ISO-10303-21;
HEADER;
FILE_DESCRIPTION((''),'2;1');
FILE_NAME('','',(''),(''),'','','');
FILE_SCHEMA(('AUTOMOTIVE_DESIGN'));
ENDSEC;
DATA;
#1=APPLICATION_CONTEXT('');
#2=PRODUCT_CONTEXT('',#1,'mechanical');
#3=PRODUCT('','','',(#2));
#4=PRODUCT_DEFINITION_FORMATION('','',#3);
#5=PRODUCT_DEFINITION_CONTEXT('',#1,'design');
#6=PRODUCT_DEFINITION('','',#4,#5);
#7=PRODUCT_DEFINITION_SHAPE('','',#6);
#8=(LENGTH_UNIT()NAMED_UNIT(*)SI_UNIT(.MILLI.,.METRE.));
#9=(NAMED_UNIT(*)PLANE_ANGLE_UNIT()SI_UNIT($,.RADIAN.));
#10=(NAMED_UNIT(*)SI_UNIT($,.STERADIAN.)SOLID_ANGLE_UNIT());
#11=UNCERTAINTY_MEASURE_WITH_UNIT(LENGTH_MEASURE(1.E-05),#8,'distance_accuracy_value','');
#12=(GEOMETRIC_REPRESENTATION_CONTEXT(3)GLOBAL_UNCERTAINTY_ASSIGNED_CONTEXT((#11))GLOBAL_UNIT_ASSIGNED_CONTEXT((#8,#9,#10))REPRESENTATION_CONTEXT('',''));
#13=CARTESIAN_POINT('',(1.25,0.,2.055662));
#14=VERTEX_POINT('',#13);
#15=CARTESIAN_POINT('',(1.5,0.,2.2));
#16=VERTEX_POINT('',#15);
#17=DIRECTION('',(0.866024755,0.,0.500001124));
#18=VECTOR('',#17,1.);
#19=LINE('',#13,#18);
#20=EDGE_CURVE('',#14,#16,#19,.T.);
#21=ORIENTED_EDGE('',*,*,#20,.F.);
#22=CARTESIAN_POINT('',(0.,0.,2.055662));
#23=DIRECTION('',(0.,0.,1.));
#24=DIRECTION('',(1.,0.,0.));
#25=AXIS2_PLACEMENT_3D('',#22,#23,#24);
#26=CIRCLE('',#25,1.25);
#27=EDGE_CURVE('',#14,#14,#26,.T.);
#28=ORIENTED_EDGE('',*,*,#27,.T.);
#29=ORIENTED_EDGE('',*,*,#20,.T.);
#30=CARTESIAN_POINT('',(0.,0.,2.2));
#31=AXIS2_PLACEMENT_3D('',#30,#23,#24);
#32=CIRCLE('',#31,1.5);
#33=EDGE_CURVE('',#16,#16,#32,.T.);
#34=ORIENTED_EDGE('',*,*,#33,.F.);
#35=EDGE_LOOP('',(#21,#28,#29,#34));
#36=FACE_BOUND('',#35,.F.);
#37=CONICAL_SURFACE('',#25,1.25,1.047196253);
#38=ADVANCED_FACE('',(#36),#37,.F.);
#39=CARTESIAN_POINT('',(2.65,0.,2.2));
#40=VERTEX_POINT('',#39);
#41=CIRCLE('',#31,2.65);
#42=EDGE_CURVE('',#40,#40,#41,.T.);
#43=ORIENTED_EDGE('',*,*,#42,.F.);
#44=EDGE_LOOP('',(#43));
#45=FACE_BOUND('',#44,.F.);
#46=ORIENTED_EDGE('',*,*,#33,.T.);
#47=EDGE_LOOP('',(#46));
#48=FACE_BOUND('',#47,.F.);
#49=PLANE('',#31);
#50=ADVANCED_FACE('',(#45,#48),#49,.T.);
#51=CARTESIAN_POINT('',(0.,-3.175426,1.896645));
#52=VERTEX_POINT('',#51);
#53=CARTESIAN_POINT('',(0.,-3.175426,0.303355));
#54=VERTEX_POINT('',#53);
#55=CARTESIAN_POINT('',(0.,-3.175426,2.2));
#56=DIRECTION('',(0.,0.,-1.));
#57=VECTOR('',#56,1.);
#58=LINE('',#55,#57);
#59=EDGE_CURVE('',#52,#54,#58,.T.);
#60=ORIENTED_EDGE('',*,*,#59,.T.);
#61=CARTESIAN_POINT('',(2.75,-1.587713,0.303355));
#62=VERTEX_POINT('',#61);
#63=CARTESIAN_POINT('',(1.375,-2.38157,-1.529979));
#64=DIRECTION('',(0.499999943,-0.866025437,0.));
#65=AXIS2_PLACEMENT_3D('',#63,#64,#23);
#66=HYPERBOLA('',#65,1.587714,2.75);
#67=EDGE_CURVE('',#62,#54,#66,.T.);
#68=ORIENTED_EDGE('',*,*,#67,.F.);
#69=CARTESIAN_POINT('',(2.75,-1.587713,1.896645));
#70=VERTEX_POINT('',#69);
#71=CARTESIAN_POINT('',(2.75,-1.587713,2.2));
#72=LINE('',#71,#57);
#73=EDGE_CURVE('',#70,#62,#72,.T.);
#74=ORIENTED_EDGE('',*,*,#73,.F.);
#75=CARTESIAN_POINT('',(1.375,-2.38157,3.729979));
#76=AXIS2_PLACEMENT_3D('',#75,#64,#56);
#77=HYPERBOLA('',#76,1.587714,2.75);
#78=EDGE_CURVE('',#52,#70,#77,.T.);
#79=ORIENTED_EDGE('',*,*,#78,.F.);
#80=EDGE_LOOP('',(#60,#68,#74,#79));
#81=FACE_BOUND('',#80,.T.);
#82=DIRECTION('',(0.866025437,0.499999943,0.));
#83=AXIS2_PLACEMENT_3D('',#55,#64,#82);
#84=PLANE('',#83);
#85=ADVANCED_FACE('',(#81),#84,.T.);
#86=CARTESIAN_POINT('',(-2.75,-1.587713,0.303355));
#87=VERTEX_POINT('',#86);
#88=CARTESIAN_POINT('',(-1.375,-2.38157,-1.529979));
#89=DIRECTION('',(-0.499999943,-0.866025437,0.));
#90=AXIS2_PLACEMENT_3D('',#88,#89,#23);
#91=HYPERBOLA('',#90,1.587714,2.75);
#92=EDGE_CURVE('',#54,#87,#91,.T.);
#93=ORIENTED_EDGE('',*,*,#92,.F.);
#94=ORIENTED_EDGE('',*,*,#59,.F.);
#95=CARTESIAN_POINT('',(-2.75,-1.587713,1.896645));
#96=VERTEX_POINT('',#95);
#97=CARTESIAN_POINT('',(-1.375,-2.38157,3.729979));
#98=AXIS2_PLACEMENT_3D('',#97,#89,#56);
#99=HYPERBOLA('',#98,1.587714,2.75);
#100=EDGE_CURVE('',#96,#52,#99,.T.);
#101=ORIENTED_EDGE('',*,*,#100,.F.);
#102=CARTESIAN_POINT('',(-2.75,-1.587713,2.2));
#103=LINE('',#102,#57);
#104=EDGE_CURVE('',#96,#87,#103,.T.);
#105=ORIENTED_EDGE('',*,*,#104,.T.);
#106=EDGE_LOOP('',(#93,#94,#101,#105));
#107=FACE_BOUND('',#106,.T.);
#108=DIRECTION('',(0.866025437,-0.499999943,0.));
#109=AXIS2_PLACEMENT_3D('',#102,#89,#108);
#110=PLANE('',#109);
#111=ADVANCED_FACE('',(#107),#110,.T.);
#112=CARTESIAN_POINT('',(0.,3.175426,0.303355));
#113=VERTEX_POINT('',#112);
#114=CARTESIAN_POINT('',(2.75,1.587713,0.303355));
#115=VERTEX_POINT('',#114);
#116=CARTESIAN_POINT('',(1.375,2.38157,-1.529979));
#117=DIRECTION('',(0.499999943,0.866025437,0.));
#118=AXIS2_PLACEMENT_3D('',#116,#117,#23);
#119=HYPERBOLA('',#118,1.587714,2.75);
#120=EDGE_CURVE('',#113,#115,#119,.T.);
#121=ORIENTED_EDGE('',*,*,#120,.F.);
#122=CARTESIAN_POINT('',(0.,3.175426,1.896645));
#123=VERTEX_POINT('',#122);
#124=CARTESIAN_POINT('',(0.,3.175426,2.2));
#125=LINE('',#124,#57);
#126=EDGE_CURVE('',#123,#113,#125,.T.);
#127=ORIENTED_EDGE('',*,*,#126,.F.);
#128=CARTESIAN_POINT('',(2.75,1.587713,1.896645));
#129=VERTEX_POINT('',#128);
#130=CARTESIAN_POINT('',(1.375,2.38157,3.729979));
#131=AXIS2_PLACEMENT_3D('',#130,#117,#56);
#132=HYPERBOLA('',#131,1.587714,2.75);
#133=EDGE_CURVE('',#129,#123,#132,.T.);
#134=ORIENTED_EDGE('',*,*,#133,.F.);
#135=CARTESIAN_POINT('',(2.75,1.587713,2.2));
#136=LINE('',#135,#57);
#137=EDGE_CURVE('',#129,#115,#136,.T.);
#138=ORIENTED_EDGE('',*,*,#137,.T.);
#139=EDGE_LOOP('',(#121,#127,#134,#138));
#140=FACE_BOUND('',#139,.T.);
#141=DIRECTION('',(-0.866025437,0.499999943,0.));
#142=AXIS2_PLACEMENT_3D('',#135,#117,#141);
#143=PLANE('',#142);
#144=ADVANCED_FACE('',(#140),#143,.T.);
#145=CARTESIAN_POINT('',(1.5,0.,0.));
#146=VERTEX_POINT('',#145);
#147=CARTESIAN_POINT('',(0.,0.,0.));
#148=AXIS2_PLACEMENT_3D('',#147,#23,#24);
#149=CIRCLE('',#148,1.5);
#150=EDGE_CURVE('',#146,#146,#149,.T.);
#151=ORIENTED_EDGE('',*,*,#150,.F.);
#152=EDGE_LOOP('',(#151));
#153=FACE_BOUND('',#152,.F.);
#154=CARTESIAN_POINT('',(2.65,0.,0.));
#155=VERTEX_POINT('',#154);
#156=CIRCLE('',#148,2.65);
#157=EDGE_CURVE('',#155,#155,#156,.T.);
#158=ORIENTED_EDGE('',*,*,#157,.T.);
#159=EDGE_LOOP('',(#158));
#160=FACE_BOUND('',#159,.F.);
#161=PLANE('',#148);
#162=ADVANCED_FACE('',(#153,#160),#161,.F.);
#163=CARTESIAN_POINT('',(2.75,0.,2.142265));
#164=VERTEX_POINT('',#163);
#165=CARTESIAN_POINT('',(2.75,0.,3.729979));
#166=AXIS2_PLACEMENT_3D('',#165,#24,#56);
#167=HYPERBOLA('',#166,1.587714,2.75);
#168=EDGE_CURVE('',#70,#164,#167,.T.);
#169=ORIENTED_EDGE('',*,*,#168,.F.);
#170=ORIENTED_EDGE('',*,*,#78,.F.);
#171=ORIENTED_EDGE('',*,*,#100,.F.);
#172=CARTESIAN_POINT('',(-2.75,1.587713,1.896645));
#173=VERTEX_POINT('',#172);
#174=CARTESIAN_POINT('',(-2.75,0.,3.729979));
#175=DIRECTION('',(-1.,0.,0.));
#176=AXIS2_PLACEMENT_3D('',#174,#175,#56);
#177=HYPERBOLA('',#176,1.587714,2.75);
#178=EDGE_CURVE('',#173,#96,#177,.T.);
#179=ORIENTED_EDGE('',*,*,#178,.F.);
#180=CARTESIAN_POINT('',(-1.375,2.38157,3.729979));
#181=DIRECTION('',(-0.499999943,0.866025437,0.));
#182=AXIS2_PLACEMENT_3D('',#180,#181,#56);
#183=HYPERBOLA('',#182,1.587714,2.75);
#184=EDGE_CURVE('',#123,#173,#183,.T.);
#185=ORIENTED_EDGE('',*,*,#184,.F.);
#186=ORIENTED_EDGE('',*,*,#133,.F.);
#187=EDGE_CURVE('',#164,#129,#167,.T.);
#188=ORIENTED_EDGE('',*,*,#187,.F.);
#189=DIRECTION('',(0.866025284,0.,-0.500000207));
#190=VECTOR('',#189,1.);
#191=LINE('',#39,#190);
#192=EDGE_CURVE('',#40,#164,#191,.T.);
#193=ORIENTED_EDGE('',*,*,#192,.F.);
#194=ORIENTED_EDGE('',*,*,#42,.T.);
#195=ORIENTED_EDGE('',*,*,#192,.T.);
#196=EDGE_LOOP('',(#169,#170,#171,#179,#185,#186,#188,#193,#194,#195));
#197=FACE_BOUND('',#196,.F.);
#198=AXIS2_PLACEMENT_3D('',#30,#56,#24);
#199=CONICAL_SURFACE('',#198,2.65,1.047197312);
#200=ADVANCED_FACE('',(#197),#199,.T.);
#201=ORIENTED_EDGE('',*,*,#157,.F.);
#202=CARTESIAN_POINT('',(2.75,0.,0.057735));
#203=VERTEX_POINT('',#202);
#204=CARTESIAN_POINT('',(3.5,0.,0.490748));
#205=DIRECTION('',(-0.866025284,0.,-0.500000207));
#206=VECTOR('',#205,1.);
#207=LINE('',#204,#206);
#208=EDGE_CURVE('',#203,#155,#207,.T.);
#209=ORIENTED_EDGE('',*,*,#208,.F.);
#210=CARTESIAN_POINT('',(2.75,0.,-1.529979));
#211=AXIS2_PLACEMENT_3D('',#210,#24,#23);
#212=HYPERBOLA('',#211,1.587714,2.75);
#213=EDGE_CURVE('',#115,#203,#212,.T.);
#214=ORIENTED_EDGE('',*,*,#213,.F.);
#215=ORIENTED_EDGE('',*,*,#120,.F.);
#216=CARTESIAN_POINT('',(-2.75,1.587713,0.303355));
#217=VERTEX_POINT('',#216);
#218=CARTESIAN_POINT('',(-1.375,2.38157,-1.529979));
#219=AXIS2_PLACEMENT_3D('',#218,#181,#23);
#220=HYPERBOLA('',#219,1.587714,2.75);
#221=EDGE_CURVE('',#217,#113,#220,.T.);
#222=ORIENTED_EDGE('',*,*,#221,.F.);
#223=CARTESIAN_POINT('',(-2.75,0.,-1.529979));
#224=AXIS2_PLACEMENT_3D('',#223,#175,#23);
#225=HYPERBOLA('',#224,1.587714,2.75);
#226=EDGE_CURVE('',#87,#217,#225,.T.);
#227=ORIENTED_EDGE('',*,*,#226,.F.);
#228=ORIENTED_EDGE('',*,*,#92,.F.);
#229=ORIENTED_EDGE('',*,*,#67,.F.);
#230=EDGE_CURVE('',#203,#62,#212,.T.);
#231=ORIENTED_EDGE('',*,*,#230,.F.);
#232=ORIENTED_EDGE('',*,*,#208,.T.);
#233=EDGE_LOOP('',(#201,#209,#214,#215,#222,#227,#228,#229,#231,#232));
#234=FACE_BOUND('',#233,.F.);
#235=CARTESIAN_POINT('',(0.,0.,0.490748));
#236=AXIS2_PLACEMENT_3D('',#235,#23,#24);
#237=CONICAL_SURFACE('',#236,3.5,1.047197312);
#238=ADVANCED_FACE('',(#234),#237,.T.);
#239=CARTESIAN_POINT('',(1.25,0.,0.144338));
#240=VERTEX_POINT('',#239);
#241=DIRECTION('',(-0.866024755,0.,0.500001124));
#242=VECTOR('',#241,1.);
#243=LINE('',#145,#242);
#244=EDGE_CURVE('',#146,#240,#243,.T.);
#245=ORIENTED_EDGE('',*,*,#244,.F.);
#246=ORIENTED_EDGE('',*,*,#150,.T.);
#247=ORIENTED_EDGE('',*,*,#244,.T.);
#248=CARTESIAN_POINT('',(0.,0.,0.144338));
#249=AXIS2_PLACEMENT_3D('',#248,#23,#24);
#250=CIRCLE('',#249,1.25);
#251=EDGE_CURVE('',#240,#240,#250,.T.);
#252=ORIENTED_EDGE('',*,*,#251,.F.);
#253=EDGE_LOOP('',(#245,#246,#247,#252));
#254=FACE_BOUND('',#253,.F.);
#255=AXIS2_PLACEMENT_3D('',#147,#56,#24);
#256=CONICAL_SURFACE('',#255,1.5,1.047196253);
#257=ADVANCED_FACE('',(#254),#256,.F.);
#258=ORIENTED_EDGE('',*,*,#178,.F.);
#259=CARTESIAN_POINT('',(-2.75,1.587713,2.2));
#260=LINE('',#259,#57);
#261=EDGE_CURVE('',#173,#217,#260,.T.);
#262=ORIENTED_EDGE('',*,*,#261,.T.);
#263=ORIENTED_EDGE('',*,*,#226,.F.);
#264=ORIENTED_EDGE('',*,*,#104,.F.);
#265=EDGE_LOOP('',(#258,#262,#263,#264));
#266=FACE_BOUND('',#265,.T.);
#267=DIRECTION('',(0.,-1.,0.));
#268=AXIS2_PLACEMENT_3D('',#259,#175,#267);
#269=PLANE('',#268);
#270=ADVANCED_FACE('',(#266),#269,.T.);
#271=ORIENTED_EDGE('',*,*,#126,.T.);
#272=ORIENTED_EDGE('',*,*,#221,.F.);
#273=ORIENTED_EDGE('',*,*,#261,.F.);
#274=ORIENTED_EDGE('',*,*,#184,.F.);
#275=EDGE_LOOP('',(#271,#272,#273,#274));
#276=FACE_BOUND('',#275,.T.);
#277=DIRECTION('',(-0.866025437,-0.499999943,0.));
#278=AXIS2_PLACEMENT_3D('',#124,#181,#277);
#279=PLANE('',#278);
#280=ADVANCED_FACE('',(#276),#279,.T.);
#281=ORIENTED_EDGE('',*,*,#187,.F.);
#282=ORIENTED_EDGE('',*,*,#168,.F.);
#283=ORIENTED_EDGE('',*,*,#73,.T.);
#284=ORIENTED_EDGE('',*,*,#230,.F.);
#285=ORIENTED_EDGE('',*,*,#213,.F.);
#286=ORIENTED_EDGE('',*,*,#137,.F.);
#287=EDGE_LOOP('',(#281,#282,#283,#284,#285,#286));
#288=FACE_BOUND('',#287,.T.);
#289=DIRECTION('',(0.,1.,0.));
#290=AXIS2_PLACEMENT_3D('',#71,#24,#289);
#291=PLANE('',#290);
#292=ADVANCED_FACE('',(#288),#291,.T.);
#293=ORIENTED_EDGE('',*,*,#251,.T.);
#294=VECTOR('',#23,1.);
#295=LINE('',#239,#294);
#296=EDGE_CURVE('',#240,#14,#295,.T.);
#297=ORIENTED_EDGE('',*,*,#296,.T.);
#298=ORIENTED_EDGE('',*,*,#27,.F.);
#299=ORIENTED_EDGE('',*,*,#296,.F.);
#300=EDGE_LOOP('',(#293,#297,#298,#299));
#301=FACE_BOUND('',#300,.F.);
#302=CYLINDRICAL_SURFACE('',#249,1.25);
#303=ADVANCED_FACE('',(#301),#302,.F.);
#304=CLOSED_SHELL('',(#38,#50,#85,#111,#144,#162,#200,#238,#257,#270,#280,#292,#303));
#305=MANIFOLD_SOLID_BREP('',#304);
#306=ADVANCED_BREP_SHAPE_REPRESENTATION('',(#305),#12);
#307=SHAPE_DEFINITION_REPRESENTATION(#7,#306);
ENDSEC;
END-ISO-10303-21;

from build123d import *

# Parameters (mm, degrees)
SKETCH001_R  = 3.5
POCKET_DEPTH = 2.2


with BuildPart() as part:
    # Sketch → Revolution (revolve)
    with BuildSketch(Plane.XZ):
        Polygon((1.5, 0), (1.25, 0.144338), (1.25, 2.055662), (1.5, 2.2), (2.65, 2.2), (3.5, 1.709252), (3.5, 0.490748), (2.65, 0), align=None)
    revolve(axis=Axis((0, 0, 0), (0, 0, 1)))

    # Sketch001 → Pocket (cut)
    with BuildSketch(Plane(origin=(0, 0, 2.2), x_dir=(-1, 0, 0), z_dir=(0, 0, 1))):
        Circle(SKETCH001_R)
        Polygon((-2.75, 1.587713), (-2.75, -1.587713), (0, -3.175426), (2.75, -1.587713), (2.75, 1.587713), (0, 3.175426), align=None, mode=Mode.SUBTRACT)
    extrude(amount=-POCKET_DEPTH, mode=Mode.SUBTRACT)


solid = part.part
